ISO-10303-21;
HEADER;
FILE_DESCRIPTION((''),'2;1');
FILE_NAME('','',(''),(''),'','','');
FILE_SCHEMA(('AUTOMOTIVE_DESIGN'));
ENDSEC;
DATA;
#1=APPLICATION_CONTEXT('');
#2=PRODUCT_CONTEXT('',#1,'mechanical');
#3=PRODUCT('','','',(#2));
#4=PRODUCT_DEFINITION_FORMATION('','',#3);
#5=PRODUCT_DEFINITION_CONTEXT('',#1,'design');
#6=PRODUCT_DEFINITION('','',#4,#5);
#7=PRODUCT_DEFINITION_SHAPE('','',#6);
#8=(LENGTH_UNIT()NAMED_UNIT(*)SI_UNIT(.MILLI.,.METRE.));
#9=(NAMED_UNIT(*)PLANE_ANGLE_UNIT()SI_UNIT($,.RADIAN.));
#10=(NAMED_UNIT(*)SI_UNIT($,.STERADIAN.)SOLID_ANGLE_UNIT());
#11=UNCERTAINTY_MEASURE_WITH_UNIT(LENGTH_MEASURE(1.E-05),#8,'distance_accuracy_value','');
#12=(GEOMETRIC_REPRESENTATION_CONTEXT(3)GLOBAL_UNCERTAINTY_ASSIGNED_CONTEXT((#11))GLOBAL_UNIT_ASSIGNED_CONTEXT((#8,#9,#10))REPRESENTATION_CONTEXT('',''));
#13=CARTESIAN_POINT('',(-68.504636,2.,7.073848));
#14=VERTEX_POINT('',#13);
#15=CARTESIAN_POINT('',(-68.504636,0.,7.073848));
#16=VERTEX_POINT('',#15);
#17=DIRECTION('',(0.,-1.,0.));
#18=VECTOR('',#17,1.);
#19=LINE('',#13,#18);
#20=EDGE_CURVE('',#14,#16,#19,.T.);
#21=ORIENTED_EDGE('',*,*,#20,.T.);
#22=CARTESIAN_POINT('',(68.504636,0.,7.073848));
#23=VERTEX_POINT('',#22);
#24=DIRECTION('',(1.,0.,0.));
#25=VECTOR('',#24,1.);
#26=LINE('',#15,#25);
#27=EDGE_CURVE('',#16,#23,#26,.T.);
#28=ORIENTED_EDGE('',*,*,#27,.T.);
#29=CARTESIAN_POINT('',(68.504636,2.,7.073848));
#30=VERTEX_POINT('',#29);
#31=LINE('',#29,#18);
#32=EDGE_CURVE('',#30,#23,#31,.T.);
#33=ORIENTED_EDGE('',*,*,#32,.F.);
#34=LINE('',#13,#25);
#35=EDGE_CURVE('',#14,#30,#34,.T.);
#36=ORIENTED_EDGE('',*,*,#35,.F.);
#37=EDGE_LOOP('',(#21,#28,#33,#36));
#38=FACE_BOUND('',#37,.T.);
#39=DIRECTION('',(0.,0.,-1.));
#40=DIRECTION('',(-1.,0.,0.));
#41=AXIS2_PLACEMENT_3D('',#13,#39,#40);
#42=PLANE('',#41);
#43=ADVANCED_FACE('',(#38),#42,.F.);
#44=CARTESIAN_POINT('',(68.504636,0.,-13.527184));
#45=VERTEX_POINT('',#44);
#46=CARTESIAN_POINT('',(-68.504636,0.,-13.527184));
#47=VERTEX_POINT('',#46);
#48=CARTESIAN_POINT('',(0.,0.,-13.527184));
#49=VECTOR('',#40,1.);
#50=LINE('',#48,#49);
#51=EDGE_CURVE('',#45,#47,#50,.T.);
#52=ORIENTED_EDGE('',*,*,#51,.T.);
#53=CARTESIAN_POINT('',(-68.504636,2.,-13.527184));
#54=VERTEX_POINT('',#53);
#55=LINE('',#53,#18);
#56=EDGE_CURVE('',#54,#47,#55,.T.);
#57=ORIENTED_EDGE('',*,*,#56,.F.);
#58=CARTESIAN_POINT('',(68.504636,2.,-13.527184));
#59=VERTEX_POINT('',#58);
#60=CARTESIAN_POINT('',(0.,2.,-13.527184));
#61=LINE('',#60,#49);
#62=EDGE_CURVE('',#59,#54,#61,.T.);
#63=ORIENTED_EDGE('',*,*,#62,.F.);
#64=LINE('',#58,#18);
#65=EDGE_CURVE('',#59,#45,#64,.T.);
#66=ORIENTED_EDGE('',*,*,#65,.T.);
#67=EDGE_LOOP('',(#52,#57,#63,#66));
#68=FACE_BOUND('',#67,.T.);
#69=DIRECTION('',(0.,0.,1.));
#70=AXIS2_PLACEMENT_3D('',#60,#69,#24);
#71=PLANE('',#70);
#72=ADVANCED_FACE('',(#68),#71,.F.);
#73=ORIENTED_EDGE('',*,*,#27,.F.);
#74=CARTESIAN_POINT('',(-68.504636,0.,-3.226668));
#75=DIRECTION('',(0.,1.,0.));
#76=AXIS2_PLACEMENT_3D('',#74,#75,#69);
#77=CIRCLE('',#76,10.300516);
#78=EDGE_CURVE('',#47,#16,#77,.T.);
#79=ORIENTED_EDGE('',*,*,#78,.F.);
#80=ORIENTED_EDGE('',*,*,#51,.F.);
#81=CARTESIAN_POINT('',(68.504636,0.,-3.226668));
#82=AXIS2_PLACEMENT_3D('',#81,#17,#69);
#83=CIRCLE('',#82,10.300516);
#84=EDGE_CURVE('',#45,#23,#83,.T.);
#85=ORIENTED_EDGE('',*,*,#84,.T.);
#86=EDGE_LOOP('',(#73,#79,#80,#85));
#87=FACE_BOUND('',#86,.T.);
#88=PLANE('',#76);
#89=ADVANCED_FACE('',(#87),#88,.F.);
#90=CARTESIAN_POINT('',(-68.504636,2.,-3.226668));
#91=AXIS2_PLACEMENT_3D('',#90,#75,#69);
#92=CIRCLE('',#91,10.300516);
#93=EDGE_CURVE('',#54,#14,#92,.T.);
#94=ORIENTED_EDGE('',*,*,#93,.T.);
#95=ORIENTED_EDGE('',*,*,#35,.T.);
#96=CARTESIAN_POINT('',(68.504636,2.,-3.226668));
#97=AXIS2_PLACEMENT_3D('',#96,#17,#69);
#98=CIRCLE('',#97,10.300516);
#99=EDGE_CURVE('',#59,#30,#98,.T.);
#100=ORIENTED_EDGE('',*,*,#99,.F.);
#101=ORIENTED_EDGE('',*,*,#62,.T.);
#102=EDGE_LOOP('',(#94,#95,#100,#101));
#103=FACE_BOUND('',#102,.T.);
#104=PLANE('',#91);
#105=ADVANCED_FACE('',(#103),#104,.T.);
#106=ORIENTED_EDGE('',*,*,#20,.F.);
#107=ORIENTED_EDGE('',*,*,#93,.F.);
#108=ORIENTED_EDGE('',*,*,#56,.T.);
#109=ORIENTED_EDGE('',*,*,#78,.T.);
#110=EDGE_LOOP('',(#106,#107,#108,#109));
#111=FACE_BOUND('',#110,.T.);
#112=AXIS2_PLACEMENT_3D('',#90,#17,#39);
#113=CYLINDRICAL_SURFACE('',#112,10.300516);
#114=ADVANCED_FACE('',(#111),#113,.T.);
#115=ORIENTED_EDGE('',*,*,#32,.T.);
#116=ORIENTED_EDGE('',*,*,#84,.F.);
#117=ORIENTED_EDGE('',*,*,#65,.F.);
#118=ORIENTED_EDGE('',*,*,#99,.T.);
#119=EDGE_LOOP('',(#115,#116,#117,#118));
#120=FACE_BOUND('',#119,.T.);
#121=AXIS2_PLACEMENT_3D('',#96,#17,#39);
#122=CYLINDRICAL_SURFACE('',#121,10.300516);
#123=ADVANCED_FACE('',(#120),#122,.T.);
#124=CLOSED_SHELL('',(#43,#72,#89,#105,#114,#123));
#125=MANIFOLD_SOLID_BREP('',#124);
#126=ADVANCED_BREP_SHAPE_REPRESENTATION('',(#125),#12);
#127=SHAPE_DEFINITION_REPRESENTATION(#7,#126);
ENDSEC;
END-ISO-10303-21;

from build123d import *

# Parameters (mm, degrees)
BOSS_EXTRUDE1_DEPTH = 2


with BuildPart() as part:
    # Sketch1 → Boss-Extrude1 (new body)
    with BuildSketch(Plane(origin=(0, 0, 0), x_dir=(1, 0, 0), z_dir=(0, 1, 0))):
        with BuildLine():
            Line((-68.50463574, -7.073848256), (0, -7.073848256))
            Line((0, -7.073848256), (0, 13.527183507))
            Line((0, 13.527183507), (-68.50463574, 13.527183507))
            ThreePointArc((-68.50463574, 13.527183507), (-78.805151621, 3.226667625), (-68.50463574, -7.073848256))
        make_face()
    extrude(amount=BOSS_EXTRUDE1_DEPTH)

    # Mirror1: part across plane


with BuildPart() as part_1:
    add(part.part)
    add(part.part.mirror(Plane(origin=(0, 2, 7.073848256), x_dir=(0, 0, 1), z_dir=(-1, 0, 0))))


solid = part_1.part
